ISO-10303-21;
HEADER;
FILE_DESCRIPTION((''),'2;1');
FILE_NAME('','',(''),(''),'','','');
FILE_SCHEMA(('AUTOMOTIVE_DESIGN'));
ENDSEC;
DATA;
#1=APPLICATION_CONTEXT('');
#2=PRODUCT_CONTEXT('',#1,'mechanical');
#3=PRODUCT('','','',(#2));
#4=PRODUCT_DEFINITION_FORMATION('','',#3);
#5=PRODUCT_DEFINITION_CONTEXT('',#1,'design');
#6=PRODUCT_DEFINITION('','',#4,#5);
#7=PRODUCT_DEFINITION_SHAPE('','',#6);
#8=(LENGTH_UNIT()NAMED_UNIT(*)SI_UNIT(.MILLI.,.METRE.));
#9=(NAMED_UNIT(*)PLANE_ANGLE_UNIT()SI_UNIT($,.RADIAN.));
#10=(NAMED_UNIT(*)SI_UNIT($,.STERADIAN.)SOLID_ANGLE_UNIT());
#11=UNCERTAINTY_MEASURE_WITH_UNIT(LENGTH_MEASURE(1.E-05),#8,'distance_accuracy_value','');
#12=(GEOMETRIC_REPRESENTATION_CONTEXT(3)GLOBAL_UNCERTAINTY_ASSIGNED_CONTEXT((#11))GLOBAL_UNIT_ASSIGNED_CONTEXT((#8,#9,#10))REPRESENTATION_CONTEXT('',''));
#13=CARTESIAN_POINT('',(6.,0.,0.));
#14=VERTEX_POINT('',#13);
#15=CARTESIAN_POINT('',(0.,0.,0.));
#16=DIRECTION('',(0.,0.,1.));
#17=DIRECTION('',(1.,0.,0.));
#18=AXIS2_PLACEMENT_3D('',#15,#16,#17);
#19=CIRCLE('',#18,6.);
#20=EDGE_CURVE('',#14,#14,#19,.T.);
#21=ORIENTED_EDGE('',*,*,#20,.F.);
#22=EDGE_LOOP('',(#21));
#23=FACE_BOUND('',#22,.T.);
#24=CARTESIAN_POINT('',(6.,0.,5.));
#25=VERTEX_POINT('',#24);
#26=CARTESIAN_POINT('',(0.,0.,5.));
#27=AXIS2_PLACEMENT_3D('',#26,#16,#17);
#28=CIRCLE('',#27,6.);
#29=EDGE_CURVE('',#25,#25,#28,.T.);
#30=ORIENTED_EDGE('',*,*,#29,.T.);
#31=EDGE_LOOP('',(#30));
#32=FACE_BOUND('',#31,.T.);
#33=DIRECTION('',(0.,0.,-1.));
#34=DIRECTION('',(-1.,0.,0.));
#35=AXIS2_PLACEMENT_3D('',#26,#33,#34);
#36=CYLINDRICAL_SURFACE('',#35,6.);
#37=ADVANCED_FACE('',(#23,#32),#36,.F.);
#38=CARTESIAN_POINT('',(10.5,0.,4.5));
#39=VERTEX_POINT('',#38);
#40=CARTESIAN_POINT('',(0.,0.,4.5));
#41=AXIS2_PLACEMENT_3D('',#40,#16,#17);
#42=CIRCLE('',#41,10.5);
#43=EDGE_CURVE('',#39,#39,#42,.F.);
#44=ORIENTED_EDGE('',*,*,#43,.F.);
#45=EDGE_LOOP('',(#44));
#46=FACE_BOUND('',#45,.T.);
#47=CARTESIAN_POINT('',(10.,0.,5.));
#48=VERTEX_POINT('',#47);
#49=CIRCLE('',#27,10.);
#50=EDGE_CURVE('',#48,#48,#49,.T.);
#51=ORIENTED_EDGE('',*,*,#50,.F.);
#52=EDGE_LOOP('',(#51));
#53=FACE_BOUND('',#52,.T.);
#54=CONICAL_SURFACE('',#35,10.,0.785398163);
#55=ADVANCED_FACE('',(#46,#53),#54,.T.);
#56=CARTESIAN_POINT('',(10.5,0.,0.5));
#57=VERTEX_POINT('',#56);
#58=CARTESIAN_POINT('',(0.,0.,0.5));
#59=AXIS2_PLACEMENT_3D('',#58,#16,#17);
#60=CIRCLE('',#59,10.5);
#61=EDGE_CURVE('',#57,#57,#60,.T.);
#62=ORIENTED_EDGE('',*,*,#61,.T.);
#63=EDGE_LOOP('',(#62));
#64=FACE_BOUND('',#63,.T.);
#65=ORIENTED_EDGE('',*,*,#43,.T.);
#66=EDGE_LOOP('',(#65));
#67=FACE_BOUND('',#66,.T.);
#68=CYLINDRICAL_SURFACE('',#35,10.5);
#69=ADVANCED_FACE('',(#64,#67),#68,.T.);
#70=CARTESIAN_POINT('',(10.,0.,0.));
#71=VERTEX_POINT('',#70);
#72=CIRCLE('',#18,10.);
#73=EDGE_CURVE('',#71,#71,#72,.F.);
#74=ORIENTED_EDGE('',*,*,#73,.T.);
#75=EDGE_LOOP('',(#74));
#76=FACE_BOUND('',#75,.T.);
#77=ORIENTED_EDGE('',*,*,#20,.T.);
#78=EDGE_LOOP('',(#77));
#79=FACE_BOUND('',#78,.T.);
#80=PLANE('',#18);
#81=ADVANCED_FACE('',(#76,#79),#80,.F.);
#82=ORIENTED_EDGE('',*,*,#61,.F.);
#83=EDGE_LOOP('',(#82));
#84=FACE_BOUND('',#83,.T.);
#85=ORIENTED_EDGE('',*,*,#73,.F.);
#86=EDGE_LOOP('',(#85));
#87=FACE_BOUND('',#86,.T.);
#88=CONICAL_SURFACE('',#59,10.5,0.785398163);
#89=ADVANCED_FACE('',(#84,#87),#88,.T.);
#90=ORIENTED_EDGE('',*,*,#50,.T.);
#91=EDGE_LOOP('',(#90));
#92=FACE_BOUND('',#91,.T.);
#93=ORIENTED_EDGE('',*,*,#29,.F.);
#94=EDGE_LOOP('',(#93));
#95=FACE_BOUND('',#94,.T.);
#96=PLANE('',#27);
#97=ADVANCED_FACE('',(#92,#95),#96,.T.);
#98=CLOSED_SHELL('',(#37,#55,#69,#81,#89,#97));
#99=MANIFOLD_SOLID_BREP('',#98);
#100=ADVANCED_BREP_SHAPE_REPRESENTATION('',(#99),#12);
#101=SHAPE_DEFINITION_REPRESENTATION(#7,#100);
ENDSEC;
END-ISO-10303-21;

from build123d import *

# Parameters (mm, degrees)
SKETCH_1_R      = 10.5
SKETCH_1_R_2    = 6
EXTRUDE_1_DEPTH = 5
CHAMFER_1_SIZE  = 0.5


with BuildPart() as part:
    # 草图1 → 凸台-拉伸1 (new body)
    with BuildSketch(Plane.XY):
        Circle(SKETCH_1_R)
        Circle(SKETCH_1_R_2, mode=Mode.SUBTRACT)
    extrude(amount=EXTRUDE_1_DEPTH)

    # 倒角1
    chamfer_1_edges = [part.edges().sort_by_distance(p)[0] for p in [
        (-10.5, 0, 0),
        (-10.5, 0, 5),
    ]]
    chamfer(chamfer_1_edges, length=CHAMFER_1_SIZE)


solid = part.part
